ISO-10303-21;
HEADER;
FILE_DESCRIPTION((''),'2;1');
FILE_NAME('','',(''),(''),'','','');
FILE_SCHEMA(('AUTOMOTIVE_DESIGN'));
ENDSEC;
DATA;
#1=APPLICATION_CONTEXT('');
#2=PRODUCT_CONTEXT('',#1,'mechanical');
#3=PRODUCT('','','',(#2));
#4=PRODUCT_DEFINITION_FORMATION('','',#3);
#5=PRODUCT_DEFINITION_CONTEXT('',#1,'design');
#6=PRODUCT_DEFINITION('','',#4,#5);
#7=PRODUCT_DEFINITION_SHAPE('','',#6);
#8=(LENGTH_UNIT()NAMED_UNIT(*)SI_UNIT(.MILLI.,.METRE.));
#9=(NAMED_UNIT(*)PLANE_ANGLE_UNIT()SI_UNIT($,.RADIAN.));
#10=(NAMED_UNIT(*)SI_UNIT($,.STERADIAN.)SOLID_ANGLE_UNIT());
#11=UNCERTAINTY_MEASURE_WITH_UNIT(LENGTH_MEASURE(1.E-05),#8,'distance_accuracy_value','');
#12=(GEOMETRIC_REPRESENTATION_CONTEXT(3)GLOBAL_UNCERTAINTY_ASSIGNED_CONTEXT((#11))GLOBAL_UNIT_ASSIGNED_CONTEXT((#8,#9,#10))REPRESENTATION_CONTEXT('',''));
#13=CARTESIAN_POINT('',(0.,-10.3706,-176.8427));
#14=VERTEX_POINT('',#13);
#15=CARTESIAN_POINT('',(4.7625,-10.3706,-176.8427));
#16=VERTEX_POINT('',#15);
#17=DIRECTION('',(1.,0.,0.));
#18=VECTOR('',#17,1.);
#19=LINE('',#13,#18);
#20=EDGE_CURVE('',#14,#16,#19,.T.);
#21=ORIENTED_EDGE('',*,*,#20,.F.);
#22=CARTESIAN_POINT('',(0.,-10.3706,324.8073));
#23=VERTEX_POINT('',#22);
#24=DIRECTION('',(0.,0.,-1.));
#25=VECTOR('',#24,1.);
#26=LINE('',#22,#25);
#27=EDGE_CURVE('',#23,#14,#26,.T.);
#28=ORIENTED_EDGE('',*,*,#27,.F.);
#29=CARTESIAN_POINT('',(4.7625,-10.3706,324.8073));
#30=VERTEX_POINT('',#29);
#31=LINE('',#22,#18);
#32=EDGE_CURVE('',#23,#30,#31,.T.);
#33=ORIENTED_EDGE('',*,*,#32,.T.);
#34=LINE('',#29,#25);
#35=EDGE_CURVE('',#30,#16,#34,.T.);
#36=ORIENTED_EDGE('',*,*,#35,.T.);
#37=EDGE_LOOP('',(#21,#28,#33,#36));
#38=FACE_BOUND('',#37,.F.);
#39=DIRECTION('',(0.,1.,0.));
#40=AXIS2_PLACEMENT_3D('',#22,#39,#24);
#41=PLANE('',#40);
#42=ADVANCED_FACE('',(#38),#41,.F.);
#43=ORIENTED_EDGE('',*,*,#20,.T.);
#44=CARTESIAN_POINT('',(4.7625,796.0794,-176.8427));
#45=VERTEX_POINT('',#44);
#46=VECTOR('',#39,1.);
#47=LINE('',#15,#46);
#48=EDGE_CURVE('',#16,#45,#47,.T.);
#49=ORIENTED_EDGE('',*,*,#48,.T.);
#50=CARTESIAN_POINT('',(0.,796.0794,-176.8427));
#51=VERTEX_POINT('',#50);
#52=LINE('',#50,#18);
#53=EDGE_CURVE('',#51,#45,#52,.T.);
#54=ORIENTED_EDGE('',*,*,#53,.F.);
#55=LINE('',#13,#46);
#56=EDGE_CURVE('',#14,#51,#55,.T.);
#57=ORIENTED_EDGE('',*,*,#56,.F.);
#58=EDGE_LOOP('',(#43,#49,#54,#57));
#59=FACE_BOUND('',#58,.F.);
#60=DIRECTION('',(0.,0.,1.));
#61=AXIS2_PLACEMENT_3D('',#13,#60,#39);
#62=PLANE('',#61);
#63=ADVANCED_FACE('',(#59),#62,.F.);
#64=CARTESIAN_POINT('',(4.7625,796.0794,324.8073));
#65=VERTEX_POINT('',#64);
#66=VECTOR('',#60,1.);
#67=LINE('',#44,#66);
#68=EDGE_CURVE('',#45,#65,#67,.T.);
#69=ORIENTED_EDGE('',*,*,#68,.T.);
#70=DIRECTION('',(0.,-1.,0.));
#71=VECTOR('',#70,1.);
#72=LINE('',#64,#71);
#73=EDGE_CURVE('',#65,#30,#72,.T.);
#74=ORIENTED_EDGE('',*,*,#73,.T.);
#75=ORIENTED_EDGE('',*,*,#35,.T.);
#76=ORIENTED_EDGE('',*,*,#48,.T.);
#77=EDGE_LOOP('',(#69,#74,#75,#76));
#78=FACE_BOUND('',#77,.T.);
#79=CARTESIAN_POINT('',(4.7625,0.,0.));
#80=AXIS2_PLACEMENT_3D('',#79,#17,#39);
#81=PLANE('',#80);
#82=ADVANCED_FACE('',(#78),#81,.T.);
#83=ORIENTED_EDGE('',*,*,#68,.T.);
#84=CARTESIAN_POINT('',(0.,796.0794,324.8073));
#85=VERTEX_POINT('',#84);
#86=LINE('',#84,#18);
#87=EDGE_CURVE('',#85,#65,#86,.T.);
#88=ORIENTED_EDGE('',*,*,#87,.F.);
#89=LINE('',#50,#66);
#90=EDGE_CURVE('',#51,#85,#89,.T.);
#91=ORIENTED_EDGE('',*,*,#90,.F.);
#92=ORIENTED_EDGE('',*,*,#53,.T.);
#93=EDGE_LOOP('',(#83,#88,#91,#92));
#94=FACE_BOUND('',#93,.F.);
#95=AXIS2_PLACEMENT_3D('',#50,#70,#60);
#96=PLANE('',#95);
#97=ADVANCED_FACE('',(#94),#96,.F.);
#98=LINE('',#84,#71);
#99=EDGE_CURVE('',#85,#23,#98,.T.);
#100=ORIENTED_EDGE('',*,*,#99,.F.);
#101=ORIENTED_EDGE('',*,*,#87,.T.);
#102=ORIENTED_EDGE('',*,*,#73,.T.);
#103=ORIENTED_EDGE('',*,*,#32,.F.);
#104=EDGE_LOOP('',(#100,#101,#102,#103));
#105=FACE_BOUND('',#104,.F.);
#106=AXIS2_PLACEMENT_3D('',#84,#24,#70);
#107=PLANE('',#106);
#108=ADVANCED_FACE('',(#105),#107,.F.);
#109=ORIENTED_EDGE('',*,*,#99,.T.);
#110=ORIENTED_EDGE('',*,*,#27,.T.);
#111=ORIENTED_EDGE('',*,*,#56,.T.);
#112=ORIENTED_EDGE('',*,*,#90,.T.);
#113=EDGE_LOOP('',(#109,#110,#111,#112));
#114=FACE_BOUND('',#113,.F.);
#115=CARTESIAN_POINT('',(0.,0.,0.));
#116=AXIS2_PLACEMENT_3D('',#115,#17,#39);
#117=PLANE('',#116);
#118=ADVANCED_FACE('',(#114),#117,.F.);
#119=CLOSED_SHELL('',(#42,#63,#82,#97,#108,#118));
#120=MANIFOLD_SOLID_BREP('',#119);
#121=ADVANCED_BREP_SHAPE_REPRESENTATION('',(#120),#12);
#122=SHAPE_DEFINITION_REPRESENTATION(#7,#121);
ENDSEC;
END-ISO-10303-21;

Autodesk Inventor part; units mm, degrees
ref_plane "YZ Plane" through (0, 0, 0) normal (1, 0, 0) x (0, 1, 0)
ref_plane "XZ Plane" through (0, 0, 0) normal (0, 1, 0) x (-1, 0, 0)
ref_plane "XY Plane" through (0, 0, 0) normal (0, 0, 1) x (1, 0, 0)
sketch "Sketch1" plane through (0, 0, 0) normal (1, 0, 0) x (0, 1, 0)
  line L0 (796.0794, 324.8073) -> (-10.3706, 324.8073)
  line L1 (-10.3706, 324.8073) -> (-10.3706, -176.8427)
  line L2 (-10.3706, -176.8427) -> (796.0794, -176.8427)
  line L3 (796.0794, -176.8427) -> (796.0794, 324.8073)
  point P0 (0, 0)
  dimension "d0" = 501.65
  dimension "d1" = 806.45
extrude "Extrusion1" add sketch "Sketch1" along normal blind 4.7625
properties part number "BellyPan"
